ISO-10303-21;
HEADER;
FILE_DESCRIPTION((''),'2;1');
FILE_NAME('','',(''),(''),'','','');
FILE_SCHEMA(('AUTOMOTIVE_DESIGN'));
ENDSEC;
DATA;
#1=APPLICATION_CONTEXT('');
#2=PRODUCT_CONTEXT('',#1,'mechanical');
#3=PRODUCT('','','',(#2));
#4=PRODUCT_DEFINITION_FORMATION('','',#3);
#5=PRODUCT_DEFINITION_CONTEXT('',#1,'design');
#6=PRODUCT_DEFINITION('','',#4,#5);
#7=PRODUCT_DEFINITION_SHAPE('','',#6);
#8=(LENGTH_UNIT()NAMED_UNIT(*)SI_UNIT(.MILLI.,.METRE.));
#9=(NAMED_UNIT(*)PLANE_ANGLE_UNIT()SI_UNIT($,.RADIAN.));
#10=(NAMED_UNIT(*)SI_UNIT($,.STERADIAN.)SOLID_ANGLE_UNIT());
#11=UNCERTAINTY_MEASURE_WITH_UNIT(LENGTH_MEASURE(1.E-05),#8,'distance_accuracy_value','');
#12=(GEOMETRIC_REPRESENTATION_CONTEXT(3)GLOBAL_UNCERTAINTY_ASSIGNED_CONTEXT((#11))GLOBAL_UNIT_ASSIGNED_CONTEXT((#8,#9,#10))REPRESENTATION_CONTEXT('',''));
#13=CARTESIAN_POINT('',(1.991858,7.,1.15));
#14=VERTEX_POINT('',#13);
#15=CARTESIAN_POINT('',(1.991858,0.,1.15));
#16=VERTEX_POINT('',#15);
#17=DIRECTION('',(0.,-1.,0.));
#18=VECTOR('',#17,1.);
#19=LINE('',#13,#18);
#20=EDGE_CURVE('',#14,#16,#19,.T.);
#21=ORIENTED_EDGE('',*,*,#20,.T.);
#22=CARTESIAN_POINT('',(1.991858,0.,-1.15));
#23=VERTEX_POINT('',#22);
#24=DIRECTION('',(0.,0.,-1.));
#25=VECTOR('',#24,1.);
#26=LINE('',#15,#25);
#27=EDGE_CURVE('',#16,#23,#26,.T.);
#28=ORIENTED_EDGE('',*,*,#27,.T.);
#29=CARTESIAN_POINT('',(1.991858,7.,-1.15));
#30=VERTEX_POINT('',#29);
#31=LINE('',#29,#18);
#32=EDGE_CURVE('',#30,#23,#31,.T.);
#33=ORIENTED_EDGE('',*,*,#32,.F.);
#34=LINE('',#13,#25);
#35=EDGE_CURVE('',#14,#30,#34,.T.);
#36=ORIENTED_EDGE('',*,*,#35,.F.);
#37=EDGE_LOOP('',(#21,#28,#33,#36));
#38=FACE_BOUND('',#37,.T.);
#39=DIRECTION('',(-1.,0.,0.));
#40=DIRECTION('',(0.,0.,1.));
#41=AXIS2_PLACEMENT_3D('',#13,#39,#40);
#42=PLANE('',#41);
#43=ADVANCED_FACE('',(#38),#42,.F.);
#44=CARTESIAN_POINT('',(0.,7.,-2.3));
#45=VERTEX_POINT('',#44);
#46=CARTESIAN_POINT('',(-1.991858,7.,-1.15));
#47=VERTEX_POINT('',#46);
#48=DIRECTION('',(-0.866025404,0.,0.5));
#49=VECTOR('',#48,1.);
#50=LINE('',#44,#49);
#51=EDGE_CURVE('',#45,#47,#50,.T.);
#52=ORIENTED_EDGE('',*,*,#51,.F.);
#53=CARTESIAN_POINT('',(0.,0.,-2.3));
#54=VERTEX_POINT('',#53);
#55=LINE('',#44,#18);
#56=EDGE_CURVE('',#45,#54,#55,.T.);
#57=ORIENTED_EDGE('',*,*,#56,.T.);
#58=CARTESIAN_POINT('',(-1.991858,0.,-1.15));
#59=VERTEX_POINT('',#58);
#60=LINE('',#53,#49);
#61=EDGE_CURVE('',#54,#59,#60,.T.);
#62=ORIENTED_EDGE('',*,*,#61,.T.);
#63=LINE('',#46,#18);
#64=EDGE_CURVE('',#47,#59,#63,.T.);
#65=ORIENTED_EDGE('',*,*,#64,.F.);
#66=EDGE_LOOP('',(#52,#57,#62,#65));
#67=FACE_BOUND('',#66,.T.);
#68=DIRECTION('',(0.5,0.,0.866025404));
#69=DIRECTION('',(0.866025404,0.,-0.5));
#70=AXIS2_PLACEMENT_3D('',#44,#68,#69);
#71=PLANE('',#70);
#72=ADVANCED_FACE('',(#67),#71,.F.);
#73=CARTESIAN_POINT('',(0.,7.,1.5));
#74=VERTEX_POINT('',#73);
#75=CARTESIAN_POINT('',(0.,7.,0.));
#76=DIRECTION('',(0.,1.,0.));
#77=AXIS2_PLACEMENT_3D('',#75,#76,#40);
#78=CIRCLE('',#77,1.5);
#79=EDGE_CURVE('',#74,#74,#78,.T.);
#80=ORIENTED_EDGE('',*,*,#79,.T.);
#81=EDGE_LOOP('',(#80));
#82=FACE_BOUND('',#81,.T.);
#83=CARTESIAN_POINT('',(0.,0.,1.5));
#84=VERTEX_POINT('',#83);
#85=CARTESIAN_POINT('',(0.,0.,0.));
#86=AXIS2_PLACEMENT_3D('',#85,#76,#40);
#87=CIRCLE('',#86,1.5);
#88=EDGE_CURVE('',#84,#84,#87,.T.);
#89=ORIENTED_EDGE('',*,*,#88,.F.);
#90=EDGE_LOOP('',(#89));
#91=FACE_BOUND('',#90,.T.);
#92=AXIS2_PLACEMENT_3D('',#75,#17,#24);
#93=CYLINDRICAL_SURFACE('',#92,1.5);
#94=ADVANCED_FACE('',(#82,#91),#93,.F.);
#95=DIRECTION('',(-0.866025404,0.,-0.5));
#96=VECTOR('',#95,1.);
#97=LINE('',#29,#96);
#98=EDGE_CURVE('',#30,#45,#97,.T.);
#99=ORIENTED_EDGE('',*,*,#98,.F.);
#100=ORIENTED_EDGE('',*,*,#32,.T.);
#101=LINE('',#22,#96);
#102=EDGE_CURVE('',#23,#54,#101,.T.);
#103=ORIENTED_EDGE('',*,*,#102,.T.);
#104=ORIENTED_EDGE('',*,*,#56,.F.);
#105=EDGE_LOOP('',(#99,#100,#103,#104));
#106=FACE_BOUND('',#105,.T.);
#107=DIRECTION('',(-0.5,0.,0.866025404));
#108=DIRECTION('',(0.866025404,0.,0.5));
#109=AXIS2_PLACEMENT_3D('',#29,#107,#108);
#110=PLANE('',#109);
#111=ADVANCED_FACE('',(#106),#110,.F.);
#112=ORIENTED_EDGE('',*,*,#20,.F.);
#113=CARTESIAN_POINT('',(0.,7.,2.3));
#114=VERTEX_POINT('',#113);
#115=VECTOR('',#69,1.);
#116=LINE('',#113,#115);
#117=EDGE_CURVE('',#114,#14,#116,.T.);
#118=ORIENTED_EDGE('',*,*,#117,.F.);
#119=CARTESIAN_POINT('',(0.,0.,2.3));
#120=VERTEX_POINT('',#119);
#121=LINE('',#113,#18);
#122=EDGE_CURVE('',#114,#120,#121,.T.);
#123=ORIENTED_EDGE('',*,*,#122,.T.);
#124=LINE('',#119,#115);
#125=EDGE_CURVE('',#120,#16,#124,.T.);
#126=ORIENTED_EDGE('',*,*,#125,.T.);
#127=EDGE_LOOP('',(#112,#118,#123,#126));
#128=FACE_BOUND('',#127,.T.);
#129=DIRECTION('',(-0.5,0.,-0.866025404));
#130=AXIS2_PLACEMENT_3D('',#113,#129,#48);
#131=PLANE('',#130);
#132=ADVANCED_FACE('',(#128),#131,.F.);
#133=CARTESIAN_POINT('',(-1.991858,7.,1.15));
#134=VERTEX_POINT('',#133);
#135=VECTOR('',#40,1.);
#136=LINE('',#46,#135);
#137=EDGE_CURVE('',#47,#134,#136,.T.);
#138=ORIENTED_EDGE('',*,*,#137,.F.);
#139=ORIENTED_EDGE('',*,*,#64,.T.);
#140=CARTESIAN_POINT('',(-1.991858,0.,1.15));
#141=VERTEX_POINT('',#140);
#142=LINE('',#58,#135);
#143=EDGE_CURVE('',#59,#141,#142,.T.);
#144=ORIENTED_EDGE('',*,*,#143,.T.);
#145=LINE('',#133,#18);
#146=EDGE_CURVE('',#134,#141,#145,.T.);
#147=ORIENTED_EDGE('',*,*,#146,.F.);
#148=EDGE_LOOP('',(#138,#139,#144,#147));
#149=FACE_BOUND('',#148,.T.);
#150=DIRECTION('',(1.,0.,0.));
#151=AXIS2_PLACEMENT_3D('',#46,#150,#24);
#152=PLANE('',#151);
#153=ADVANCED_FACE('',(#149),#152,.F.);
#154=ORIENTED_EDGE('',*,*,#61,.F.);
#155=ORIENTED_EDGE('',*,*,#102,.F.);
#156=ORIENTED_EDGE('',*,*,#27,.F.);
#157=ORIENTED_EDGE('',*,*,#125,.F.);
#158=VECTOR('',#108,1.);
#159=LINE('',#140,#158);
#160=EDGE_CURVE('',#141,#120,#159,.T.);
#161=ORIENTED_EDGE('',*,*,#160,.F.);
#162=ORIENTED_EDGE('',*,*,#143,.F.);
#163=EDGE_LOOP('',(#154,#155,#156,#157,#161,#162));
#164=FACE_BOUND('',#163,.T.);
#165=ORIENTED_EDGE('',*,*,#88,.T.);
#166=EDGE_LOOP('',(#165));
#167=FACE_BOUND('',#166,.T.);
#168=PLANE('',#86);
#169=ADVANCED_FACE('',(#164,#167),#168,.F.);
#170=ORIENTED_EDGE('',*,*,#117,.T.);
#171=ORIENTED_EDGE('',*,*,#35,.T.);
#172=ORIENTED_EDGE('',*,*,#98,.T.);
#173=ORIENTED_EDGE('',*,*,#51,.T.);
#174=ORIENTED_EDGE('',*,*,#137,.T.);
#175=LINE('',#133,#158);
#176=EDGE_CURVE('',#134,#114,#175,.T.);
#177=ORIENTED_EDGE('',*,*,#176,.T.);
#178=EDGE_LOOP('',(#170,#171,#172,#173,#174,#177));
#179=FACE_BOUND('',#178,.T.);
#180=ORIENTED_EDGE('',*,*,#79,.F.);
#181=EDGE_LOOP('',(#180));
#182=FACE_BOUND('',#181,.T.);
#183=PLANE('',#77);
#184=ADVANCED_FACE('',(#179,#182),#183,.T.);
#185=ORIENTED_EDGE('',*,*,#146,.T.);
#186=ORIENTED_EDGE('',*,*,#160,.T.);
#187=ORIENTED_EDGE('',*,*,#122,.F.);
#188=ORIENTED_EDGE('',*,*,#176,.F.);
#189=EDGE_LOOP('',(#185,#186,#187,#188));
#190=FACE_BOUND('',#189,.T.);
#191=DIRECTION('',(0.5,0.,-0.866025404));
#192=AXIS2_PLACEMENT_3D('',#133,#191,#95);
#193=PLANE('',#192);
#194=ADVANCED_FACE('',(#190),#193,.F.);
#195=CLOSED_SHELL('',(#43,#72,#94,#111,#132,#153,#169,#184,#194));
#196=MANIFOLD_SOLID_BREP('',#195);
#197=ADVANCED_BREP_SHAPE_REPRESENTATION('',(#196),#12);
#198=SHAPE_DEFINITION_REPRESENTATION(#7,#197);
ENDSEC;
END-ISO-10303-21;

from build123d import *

# Parameters (mm, degrees)
SKETCH_1_R      = 1.5
EXTRUDE_1_DEPTH = 7


with BuildPart() as part:
    # 草图1 → 凸台-拉伸1 (new body)
    with BuildSketch(Plane(origin=(0, 0, 0), x_dir=(1, 0, 0), z_dir=(0, 1, 0))):
        Polygon((1.991858429, 1.15), (0, 2.3), (-1.991858429, 1.15), (-1.991858429, -1.15), (0, -2.3), (1.991858429, -1.15), align=None)
        with Locations(Location((0, 0, 0), (0, 0, 270))):
            Circle(SKETCH_1_R, mode=Mode.SUBTRACT)
    extrude(amount=EXTRUDE_1_DEPTH)


solid = part.part
